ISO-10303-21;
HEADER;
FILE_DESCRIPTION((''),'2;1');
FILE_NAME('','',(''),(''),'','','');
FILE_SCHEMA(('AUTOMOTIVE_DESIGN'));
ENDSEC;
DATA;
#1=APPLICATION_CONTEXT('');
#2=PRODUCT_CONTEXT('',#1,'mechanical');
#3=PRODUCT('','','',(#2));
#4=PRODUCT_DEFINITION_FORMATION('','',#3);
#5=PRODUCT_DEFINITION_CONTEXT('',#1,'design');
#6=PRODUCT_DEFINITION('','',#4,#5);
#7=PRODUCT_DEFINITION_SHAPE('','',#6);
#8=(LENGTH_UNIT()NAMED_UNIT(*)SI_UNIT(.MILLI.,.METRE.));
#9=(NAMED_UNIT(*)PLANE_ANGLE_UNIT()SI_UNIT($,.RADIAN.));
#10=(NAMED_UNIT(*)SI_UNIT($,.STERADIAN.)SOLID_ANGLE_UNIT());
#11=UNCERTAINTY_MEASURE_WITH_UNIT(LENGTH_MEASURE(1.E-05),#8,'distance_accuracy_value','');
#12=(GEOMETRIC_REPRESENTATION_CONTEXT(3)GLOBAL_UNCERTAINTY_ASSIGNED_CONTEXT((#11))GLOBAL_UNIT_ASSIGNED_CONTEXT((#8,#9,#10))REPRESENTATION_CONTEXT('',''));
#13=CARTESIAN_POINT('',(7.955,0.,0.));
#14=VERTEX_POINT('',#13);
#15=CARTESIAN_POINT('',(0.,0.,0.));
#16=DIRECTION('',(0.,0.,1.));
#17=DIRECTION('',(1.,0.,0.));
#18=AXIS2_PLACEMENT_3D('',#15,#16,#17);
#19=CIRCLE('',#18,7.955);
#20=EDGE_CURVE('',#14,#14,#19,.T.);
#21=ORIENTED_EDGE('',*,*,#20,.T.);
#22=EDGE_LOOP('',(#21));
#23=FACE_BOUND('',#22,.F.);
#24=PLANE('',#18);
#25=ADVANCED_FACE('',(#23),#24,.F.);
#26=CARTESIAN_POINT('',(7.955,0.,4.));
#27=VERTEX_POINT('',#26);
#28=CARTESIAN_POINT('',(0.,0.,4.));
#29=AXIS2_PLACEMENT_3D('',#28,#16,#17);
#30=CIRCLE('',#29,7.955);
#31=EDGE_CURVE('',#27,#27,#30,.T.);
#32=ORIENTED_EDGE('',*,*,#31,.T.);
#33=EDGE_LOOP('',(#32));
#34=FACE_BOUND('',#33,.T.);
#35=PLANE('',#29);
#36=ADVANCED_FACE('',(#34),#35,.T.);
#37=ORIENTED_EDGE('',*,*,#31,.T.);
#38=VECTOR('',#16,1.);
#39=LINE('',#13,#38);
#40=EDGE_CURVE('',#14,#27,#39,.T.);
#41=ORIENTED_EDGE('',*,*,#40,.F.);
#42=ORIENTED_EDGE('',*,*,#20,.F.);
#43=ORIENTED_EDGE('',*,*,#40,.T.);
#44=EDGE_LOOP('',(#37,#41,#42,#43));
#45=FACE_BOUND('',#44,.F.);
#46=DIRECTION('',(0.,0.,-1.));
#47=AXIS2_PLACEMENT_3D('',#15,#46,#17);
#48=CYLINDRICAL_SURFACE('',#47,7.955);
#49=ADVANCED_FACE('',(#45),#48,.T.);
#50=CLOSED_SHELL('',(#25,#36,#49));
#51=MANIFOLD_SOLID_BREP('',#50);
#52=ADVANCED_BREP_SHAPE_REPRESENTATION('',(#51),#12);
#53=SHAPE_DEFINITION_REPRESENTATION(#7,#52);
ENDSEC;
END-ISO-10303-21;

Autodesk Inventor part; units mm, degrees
ref_plane "YZ Plane" through (0, 0, 0) normal (1, 0, 0) x (0, 1, 0)
ref_plane "XZ Plane" through (0, 0, 0) normal (0, 1, 0) x (-1, 0, 0)
ref_plane "XY Plane" through (0, 0, 0) normal (0, 0, 1) x (1, 0, 0)
sketch "Sketch1" plane through (0, 0, 0) normal (0, 0, 1) x (1, 0, 0)
  circle A0 centre (0, 0) radius 7.955
  dimension "d0" = 15.9099
  dimension "d0" = 15.9099
extrude "Extrusion1" add sketch "Sketch1" along normal blind 4
properties part number "gear2"
